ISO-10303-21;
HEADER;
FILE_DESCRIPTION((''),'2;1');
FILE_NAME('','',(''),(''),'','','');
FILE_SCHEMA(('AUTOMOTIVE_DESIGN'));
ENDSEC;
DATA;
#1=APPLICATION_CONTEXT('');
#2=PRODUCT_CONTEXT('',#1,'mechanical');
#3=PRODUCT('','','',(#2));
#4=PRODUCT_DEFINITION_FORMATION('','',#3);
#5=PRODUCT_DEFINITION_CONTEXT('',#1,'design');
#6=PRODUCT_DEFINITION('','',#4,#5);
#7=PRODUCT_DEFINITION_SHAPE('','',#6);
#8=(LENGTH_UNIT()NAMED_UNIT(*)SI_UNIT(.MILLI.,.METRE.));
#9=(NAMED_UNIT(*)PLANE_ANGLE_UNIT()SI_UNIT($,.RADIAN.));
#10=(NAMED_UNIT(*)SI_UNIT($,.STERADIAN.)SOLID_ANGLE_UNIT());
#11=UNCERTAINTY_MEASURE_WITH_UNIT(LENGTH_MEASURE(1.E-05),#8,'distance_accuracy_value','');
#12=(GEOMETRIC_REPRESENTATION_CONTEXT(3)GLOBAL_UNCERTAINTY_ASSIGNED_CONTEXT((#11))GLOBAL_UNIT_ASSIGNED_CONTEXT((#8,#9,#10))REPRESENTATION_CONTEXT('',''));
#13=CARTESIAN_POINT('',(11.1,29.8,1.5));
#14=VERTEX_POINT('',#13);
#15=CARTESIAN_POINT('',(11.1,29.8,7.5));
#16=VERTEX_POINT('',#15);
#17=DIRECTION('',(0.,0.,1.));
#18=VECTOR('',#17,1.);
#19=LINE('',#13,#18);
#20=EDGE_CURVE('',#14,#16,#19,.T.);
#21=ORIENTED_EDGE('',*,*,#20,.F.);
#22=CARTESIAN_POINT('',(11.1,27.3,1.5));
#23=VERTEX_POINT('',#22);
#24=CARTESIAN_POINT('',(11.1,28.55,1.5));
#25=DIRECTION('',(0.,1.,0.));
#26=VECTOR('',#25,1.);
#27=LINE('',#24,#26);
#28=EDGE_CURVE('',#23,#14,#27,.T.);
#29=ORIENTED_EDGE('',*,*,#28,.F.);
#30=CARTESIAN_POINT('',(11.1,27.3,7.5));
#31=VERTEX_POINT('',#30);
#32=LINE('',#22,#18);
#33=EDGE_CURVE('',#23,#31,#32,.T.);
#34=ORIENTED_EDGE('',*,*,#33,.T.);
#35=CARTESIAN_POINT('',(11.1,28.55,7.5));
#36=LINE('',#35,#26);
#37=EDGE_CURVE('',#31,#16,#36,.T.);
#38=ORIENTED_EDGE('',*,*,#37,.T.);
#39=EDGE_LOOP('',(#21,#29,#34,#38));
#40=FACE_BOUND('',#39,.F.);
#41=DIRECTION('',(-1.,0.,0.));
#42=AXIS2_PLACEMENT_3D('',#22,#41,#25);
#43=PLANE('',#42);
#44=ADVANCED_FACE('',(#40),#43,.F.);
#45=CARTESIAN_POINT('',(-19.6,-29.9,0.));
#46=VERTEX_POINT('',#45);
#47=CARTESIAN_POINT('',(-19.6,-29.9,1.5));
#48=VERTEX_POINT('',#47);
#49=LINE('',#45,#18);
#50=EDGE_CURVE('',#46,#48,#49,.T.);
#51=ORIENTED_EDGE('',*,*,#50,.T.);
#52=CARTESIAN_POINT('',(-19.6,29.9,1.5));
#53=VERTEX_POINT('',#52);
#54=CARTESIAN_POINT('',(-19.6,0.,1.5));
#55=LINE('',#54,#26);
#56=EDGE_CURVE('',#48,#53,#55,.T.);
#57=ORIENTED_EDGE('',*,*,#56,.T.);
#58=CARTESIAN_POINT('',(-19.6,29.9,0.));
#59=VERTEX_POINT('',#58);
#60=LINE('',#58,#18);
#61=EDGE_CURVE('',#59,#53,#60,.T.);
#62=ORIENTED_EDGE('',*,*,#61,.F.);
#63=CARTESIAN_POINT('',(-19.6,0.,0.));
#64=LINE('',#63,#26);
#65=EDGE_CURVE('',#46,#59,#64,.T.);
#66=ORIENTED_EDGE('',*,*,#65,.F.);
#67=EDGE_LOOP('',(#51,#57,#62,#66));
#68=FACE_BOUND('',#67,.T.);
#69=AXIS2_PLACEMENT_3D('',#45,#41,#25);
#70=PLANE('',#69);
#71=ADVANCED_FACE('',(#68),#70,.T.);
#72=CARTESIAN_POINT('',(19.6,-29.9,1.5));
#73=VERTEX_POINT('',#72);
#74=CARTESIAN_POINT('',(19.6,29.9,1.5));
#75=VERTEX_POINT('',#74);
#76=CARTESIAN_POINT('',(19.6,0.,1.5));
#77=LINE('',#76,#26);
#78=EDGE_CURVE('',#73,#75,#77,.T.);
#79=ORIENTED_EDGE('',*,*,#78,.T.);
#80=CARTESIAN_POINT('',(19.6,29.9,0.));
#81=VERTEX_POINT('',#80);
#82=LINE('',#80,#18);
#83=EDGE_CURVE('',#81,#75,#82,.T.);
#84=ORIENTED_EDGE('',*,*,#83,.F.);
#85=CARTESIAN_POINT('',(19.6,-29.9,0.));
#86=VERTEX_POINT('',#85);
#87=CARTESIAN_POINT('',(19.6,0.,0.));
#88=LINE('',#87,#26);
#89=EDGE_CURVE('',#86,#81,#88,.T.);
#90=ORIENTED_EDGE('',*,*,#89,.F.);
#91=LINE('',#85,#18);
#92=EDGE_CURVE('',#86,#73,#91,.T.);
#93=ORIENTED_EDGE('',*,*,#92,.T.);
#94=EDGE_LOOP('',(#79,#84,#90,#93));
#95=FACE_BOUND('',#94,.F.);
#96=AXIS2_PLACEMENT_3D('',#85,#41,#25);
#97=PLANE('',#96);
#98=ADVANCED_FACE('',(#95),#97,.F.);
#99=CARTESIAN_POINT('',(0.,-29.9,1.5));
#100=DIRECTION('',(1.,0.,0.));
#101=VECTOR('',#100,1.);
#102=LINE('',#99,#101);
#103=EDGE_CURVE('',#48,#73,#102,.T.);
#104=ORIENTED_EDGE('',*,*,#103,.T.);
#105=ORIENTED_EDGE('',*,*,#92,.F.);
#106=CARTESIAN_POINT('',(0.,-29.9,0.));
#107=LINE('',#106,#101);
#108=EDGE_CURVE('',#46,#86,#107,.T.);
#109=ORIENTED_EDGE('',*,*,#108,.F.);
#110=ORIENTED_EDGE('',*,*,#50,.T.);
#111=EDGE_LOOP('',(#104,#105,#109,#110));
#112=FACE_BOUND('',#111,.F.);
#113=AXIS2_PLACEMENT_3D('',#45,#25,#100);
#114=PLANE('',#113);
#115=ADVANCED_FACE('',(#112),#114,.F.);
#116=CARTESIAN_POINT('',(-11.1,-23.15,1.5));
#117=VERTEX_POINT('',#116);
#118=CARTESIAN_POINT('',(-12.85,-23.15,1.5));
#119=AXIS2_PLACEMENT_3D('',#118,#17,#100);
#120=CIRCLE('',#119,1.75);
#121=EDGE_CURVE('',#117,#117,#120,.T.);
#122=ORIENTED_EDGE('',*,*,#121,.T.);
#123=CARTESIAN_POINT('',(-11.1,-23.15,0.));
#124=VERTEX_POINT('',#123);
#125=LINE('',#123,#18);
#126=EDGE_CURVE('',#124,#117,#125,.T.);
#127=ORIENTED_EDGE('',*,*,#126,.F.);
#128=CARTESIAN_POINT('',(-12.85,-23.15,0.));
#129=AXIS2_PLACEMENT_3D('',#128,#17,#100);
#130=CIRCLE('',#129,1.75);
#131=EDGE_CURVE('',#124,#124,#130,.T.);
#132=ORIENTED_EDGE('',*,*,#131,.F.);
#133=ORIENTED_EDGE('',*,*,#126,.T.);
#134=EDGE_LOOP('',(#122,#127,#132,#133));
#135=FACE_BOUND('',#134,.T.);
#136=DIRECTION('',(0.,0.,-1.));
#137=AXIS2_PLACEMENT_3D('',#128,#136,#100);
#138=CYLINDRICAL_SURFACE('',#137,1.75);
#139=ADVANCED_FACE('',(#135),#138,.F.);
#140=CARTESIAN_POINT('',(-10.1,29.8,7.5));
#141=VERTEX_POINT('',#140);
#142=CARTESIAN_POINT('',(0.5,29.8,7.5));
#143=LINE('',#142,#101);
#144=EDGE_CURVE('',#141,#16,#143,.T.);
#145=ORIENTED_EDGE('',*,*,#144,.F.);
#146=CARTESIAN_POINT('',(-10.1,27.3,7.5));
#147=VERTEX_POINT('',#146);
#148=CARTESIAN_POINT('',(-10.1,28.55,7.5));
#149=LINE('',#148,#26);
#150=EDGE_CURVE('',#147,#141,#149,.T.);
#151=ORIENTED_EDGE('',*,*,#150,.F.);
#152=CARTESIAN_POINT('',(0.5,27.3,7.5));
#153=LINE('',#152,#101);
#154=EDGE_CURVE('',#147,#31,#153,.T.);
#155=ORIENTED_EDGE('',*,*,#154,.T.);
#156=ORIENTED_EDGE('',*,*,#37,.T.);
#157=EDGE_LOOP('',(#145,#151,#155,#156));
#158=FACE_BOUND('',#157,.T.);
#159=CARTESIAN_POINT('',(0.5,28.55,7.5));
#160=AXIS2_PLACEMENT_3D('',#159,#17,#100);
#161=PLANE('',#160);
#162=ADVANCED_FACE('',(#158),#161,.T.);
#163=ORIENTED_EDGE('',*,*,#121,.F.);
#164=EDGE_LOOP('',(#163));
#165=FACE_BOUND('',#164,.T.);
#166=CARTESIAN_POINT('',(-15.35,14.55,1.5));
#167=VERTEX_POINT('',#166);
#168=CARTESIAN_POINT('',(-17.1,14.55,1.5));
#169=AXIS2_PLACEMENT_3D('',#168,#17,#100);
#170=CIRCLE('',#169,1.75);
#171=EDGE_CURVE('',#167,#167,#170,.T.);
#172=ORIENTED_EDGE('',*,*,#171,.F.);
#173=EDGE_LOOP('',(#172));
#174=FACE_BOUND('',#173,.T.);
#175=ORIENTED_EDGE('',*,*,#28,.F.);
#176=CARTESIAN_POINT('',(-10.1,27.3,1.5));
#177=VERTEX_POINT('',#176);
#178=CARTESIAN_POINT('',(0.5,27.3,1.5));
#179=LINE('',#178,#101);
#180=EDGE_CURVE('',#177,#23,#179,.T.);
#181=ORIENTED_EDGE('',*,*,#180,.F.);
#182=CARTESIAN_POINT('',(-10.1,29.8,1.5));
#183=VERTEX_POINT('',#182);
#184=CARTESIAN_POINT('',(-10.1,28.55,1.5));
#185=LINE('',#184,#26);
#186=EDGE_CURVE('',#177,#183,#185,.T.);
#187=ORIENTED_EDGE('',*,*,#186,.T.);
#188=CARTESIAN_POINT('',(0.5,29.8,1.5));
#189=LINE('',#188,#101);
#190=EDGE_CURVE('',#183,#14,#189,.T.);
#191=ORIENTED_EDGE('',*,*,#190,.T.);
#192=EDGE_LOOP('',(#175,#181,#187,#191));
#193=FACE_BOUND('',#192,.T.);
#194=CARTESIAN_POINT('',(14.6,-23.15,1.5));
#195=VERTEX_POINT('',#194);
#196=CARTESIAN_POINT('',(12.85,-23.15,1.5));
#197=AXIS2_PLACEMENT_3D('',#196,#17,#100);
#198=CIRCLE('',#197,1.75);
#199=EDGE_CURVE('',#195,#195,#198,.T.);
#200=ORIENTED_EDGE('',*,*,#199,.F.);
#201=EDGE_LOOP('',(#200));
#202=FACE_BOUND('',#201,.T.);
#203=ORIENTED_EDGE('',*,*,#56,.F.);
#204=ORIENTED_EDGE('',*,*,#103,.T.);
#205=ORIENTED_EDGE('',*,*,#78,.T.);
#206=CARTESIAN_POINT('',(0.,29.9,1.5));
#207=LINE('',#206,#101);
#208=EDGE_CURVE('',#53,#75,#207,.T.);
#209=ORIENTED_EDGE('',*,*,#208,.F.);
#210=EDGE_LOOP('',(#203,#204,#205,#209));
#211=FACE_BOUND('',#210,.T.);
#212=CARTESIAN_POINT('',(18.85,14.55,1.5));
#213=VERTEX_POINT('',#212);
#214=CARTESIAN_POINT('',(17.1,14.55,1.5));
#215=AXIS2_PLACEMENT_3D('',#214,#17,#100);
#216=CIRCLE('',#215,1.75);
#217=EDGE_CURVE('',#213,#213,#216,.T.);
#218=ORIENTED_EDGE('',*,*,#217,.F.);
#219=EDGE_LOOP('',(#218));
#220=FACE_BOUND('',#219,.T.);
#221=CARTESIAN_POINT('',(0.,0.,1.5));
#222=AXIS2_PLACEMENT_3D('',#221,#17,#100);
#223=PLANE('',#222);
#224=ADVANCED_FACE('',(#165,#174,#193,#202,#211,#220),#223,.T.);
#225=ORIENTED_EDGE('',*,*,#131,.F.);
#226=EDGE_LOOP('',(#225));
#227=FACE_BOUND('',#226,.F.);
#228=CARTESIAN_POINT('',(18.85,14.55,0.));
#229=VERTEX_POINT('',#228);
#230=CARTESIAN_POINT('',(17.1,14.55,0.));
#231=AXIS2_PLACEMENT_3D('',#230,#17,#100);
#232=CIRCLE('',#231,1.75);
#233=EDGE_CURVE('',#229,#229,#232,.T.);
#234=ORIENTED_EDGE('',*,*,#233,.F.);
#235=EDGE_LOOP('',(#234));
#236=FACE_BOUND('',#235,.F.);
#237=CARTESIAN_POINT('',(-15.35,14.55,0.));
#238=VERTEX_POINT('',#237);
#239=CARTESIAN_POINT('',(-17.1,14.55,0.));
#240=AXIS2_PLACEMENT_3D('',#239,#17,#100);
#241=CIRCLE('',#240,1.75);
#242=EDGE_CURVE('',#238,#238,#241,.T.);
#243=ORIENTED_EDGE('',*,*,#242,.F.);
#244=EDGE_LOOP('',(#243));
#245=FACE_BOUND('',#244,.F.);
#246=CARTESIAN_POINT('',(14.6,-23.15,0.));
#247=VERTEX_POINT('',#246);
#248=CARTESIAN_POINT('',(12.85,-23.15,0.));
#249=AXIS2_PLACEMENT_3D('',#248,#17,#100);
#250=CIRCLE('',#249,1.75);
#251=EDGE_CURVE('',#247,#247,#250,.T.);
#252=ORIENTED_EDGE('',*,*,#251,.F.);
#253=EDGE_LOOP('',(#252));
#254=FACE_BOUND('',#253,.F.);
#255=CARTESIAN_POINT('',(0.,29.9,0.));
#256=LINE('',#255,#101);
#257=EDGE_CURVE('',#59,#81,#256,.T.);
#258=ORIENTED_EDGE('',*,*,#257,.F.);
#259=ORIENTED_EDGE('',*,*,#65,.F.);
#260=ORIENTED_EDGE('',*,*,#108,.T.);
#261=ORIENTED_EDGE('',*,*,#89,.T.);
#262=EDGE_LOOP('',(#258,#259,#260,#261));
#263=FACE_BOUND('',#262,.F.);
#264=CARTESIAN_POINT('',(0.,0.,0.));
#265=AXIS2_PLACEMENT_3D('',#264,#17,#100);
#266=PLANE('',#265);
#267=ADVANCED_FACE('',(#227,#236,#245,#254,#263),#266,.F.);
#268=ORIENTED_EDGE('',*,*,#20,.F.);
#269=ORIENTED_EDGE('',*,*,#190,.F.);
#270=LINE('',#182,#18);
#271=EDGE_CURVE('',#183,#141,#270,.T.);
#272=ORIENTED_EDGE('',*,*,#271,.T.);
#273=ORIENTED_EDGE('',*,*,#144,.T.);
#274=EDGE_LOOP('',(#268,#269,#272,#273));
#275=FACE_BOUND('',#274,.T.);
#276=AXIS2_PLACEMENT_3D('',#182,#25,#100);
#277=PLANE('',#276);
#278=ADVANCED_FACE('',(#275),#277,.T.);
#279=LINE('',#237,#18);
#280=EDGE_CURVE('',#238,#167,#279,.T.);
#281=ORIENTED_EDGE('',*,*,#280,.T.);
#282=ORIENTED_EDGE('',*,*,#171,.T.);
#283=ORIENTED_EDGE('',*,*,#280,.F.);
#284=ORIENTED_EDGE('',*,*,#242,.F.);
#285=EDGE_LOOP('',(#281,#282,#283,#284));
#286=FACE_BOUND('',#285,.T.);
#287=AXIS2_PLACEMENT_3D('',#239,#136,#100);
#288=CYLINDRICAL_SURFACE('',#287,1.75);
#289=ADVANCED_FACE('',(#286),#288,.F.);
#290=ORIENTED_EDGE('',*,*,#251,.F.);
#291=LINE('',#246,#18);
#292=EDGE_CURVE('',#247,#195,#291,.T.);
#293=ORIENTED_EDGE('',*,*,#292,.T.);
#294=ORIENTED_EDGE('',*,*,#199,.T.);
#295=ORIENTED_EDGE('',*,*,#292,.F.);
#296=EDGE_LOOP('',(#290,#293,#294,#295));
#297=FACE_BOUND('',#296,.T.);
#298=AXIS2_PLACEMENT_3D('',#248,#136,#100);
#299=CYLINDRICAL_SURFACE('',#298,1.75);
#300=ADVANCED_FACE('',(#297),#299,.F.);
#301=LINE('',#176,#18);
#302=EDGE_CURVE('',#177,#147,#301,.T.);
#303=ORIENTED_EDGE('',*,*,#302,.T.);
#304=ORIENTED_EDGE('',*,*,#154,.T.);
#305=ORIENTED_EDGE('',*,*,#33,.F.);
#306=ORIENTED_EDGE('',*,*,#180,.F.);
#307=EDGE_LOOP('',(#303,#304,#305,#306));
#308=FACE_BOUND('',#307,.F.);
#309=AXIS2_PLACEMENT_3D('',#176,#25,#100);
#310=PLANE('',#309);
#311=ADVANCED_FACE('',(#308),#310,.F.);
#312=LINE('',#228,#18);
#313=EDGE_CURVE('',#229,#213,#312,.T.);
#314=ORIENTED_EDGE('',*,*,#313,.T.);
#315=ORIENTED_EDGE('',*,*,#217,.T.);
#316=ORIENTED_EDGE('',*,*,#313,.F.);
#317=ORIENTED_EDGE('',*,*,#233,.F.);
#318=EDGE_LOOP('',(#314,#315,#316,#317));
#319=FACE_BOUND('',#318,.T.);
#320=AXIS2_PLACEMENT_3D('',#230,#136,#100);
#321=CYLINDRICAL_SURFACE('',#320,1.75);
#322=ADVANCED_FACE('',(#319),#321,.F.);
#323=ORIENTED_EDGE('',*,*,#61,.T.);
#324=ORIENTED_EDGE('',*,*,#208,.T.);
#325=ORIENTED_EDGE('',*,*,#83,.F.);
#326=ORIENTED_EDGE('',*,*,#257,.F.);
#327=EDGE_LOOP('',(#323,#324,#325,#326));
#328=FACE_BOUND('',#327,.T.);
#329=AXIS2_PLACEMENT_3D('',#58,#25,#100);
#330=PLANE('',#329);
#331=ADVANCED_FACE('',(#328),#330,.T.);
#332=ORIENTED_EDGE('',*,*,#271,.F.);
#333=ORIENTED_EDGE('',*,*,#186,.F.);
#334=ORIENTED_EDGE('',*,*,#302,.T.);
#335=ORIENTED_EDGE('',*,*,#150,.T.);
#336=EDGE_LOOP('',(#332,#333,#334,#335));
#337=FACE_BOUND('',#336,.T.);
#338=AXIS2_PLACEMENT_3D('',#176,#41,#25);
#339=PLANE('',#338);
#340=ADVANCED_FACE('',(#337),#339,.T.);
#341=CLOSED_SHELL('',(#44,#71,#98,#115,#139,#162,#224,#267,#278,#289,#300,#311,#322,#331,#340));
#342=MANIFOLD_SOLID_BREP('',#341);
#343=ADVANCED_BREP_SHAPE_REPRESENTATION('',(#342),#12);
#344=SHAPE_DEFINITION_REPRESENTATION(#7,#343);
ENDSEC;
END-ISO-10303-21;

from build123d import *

# Parameters (mm, degrees)
F0_W     = 39.2
F0_H     = 59.8
F0_R     = 1.75
F1_DEPTH = 1.5
F2_W     = 21.2
F2_H     = 2.5
F3_DEPTH = 6


with BuildPart() as f1:
    # F0 (on Top) → F1 (new body)
    with BuildSketch(Plane.XY):
        Rectangle(F0_W, F0_H)
        with Locations((-12.85, -23.15)):
            Circle(F0_R, mode=Mode.SUBTRACT)
        with Locations((12.85, -23.15)):
            Circle(F0_R, mode=Mode.SUBTRACT)
        with Locations((-17.1, 14.55)):
            Circle(F0_R, mode=Mode.SUBTRACT)
        with Locations((17.1, 14.55)):
            Circle(F0_R, mode=Mode.SUBTRACT)
    extrude(amount=F1_DEPTH)

    # F2 (on face) → F3 (join)
    with BuildSketch(Plane.XY.offset(1.5)):
        with Locations((0.5, 28.55)):
            Rectangle(F2_W, F2_H)
    extrude(amount=F3_DEPTH)


solid = f1.part
